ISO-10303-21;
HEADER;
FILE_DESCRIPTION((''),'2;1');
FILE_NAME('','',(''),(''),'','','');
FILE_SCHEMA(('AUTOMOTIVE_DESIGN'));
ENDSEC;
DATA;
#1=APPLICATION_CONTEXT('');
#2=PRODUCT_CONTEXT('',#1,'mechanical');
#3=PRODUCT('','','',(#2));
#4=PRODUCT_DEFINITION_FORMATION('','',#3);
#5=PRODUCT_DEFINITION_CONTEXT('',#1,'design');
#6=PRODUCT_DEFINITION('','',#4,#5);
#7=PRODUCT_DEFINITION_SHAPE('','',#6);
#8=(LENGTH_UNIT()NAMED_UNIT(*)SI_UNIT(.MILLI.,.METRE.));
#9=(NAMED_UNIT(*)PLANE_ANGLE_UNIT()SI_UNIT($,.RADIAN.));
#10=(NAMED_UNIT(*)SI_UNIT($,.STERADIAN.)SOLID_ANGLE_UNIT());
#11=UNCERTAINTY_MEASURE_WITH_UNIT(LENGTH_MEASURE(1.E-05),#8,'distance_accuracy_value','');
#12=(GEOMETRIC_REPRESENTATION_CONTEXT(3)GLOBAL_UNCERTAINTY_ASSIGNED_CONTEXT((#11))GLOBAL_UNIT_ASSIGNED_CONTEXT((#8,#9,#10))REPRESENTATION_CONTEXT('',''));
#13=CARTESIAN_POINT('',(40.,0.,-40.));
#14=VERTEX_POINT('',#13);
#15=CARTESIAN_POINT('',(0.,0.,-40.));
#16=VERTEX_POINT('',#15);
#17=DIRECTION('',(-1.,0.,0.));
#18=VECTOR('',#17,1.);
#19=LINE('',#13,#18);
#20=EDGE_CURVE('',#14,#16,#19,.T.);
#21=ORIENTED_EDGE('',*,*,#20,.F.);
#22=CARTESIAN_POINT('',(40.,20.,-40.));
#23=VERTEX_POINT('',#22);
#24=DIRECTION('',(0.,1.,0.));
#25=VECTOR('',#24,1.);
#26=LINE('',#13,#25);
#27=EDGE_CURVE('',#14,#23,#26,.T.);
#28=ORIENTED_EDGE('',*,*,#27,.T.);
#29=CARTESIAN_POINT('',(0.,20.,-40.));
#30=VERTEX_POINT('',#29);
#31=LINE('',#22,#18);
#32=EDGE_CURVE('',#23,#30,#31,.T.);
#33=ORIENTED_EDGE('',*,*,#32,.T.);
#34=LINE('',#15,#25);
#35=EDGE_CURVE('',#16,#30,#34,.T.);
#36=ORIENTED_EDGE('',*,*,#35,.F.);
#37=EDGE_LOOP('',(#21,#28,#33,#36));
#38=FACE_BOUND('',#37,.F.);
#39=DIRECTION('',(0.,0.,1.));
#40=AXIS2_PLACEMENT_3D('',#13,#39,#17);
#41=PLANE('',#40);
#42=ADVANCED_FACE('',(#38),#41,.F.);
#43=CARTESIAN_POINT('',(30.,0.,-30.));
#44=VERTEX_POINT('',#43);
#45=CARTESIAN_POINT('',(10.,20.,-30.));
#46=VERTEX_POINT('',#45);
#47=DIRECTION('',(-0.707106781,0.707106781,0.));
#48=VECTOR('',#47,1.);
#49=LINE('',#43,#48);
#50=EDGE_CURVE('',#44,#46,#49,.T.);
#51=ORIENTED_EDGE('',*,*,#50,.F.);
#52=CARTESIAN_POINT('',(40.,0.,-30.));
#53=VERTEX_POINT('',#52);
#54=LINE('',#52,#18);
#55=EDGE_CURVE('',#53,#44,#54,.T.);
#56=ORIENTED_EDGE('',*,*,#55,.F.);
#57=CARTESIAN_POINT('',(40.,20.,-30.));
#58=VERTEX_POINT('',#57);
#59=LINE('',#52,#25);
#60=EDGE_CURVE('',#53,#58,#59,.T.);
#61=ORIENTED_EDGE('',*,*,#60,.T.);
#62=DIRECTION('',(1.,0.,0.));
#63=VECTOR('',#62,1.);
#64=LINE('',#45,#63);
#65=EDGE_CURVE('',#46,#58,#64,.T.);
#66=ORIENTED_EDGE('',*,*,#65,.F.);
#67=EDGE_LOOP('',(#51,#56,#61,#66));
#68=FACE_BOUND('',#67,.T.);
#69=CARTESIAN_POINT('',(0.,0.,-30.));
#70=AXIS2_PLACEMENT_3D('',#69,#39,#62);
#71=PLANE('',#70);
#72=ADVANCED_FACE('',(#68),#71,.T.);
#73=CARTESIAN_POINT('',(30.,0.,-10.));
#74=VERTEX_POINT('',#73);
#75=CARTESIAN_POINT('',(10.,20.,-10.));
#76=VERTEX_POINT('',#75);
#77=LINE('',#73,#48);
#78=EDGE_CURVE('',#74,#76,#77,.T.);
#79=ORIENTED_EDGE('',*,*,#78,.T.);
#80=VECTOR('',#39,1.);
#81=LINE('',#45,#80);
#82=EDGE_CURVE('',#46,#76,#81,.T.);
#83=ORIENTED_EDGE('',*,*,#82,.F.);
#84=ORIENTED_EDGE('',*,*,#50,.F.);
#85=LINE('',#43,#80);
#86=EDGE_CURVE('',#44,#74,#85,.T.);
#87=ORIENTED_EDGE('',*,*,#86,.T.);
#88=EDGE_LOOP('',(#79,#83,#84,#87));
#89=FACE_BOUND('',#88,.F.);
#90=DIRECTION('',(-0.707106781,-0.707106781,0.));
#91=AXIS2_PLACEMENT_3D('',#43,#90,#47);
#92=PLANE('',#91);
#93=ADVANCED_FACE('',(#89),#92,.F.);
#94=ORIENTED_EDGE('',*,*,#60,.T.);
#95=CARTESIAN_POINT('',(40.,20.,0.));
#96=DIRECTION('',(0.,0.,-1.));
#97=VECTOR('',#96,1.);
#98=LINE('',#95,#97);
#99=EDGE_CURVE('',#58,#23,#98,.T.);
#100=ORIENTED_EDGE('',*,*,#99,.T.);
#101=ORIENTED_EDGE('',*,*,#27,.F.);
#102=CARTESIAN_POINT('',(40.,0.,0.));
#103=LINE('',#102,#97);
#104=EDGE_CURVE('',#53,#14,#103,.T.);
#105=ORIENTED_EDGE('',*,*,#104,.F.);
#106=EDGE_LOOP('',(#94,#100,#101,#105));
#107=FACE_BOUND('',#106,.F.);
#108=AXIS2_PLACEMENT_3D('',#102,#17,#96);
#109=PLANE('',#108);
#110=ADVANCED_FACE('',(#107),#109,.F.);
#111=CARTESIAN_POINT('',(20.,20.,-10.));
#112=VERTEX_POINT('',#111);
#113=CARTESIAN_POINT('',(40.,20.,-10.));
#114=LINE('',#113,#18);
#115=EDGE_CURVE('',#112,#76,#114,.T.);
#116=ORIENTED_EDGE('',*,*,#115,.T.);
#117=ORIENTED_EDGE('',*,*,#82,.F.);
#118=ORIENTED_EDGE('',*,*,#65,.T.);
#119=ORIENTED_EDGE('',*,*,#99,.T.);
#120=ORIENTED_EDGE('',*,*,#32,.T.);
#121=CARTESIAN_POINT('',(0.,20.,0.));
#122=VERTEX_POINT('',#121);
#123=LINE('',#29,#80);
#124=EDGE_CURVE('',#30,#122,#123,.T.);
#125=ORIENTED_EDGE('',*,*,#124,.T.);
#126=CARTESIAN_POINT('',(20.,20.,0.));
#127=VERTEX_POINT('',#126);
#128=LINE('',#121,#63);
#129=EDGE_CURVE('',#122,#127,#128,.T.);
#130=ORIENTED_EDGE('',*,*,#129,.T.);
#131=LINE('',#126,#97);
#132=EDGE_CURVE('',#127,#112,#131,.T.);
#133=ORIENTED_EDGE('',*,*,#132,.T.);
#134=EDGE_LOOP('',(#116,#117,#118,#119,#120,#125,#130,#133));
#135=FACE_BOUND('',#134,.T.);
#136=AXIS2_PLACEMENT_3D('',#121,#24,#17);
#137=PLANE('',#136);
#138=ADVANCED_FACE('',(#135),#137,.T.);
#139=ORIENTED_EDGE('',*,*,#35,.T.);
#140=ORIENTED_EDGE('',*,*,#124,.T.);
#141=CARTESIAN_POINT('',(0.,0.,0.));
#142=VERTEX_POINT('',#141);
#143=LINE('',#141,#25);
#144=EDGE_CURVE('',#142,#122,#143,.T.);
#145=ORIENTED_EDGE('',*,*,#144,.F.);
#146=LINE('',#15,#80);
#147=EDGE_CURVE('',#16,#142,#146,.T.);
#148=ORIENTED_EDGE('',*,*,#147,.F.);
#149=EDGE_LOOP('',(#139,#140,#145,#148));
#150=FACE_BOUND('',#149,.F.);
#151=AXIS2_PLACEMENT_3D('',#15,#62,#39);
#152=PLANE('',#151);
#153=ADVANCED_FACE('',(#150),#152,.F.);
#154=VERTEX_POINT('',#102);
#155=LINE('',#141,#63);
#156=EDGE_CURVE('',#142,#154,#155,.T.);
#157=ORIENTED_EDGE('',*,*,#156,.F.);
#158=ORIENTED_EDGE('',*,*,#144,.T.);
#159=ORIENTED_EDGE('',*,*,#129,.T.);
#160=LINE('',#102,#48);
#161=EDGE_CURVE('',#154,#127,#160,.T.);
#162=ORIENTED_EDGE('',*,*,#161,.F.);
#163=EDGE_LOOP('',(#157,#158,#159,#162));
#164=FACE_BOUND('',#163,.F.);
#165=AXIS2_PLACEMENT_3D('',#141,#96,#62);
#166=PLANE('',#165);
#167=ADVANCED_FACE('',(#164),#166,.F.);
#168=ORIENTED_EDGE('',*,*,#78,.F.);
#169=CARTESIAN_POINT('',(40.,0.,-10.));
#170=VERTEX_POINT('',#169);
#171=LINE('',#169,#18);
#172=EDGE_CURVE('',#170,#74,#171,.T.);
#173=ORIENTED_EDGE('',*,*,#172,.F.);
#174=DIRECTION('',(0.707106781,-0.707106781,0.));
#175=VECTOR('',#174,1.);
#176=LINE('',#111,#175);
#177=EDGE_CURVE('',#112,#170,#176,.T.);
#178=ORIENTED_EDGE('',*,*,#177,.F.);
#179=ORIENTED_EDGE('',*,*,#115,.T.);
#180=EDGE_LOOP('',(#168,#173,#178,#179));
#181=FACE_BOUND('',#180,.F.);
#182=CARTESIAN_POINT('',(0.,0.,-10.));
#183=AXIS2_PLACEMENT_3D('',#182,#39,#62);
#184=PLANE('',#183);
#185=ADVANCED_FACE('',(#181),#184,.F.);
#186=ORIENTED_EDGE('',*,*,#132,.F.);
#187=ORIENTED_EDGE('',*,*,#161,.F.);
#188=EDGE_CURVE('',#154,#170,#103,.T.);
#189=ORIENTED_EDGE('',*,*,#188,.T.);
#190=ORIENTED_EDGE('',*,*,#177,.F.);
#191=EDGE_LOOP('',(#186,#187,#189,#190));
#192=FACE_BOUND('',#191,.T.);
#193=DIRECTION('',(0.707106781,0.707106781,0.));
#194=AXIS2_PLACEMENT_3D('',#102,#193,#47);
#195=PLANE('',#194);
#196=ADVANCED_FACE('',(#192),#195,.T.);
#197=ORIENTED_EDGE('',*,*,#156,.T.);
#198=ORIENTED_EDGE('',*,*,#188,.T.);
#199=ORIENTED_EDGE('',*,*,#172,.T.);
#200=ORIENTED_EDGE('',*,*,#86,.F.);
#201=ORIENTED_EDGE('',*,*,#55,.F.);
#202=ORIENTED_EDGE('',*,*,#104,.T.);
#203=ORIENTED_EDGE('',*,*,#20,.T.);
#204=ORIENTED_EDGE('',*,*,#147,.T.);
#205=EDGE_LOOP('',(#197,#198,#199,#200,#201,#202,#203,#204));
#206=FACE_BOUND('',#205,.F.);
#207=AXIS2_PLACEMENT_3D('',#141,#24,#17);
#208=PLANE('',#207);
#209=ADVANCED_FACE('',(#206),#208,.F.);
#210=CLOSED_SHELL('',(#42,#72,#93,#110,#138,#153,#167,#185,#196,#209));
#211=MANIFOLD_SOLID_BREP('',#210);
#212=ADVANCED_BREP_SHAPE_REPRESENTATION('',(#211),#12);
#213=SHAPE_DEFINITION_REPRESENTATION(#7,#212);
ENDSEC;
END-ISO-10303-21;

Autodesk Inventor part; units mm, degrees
ref_plane "YZ Plane" through (0, 0, 0) normal (1, 0, 0) x (0, 1, 0)
ref_plane "XZ Plane" through (0, 0, 0) normal (0, 1, 0) x (-1, 0, 0)
ref_plane "XY Plane" through (0, 0, 0) normal (0, 0, 1) x (1, 0, 0)
sketch "草圖1" plane through (0, 0, 0) normal (0, 1, 0) x (-1, 0, 0)
  line L0 (0, 0) -> (-40, 0)
  line L1 (-40, 0) -> (-40, -40)
  line L2 (-40, -40) -> (0, -40)
  line L3 (0, -40) -> (0, 0)
  dimension "d0" = 40
  dimension "d1" = 40
extrude "擠出1" add sketch "草圖1" along normal blind 20
sketch "草圖2" plane through (0, 0, 0) normal (0, 0, 1) x (1, 0, 0)
  line L0 (0, 0) -> (40, 0) projected
  line L1 (40, 0) -> (20, 20)
  line L2 (0, 20) -> (40, 20) projected
  line L3 (40, 0) -> (40, 20) projected
  line L4 (40, 0) -> (40, 20)
  dimension "d4" = 20
extrude "擠出2" cut sketch "草圖2" against normal blind 30
sketch "草圖3" plane through (0, 0, -30) normal (0, 0, 1) x (1, 0, 0)
  line L0 (40, 0) -> (0, 0) projected
  line L1 (40, 0) -> (30, 0)
  line L2 (30, 0) -> (10, 20)
  line L3 (40, 20) -> (0, 20) projected
  line L4 (10, 20) -> (20, 20)
  line L5 (20, 20) -> (40, 0)
  dimension "d7" = 20
  dimension "d8" = 10
extrude "擠出3" cut sketch "草圖3" along normal blind 20
properties part number "48"
